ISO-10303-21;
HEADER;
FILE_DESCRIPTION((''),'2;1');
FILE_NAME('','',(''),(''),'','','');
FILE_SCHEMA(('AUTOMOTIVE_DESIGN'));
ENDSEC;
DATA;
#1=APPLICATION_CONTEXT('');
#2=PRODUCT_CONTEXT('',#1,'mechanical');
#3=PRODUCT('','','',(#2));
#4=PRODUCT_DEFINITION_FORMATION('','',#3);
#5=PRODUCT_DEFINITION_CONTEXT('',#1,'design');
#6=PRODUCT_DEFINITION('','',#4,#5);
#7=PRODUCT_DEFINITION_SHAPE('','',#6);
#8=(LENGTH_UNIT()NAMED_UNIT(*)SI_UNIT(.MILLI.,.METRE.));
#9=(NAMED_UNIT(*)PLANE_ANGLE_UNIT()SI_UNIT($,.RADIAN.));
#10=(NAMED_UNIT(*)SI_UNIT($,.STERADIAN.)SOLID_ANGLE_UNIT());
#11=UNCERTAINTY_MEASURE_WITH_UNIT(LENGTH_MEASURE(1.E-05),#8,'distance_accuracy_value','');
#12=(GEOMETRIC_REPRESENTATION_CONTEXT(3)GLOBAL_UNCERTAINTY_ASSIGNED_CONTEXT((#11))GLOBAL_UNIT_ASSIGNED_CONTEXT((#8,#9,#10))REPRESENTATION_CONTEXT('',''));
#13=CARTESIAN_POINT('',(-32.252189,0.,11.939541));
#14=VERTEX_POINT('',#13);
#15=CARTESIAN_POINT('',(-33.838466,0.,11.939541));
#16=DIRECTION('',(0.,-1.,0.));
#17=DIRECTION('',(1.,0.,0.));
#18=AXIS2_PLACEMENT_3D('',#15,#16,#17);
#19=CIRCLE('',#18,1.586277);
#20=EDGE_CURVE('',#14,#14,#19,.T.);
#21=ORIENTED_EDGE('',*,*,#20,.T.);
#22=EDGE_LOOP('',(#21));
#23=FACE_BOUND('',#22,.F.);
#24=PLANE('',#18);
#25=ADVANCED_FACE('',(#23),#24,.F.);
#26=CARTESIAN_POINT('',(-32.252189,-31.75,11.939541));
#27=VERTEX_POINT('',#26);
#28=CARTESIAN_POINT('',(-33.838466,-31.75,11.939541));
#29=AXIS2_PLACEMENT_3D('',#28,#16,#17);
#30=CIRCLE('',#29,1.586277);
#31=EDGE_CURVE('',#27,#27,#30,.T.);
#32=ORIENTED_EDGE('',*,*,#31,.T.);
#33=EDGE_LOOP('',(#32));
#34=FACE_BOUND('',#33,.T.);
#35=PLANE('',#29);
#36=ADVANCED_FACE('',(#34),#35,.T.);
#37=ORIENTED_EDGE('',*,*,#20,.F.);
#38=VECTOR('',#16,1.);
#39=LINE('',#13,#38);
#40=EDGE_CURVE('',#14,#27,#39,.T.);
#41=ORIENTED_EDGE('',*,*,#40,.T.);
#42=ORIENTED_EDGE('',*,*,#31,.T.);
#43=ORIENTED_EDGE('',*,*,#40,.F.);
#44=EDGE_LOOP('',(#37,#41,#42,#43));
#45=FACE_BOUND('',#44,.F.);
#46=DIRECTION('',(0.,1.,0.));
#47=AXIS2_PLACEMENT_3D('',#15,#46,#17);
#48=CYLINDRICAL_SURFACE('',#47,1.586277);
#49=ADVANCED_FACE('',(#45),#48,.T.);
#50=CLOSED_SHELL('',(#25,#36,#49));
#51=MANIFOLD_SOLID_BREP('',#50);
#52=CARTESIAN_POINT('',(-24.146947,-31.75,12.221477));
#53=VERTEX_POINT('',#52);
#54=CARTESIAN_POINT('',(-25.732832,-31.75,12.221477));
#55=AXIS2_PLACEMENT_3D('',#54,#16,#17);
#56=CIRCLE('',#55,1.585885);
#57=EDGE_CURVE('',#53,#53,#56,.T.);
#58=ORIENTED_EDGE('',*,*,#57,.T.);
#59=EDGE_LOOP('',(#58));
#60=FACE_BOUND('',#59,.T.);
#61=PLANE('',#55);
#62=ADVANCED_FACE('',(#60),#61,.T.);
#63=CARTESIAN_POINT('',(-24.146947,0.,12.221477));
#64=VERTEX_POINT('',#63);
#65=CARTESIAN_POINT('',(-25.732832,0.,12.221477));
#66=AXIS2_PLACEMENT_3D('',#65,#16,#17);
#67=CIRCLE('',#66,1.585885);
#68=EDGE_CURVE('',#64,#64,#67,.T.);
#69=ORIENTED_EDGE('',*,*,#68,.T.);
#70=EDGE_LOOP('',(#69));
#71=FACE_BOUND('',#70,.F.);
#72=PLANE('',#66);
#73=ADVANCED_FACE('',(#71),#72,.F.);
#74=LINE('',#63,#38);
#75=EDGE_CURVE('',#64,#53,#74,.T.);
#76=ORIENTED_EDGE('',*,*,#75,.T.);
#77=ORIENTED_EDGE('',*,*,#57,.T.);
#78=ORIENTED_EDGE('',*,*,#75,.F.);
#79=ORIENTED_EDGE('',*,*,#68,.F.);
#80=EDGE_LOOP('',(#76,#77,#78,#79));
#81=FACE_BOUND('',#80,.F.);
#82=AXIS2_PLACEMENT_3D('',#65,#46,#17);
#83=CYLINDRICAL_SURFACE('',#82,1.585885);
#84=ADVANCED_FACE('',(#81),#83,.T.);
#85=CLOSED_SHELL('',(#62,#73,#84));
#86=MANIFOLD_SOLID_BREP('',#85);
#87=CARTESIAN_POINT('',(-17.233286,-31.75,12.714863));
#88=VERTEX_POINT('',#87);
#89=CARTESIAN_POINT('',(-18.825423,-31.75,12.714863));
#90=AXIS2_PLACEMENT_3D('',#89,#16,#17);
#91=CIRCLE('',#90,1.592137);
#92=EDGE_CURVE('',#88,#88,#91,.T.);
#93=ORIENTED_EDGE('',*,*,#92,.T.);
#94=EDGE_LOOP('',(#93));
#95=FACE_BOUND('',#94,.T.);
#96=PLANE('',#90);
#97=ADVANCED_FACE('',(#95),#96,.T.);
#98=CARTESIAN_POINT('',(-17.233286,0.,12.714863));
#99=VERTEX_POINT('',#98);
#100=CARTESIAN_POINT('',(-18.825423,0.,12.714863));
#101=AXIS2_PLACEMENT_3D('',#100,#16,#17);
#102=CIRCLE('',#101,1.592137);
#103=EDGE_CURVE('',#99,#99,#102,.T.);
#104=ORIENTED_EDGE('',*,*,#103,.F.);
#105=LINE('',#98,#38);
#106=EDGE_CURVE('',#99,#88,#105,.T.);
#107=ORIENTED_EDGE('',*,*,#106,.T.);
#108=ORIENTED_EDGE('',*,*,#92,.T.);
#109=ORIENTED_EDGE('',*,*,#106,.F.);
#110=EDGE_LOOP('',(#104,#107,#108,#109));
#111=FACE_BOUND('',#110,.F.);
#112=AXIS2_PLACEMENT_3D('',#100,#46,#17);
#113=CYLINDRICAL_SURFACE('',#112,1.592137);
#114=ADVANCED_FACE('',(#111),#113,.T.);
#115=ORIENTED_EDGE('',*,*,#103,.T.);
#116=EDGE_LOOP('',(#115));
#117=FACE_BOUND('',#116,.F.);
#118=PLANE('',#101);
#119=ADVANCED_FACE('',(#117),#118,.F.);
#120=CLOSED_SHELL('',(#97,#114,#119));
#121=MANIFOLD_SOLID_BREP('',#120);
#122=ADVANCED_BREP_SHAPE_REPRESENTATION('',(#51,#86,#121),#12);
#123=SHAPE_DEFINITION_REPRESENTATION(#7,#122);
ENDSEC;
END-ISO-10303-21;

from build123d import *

# Parameters (mm, degrees)
F0_R     = 1.586277
F0_R_2   = 1.585885
F0_R_3   = 1.592137
F1_DEPTH = 31.75


with BuildPart() as f1:
    # F0 (on Front) → F1 (new body)
    with BuildSketch(Plane.XZ):
        with Locations((-33.838466, 11.939541)):
            Circle(F0_R)
        with Locations((-25.732832, 12.221477)):
            Circle(F0_R_2)
        with Locations((-18.825423, 12.714863)):
            Circle(F0_R_3)
    extrude(amount=F1_DEPTH)


solid = f1.part
